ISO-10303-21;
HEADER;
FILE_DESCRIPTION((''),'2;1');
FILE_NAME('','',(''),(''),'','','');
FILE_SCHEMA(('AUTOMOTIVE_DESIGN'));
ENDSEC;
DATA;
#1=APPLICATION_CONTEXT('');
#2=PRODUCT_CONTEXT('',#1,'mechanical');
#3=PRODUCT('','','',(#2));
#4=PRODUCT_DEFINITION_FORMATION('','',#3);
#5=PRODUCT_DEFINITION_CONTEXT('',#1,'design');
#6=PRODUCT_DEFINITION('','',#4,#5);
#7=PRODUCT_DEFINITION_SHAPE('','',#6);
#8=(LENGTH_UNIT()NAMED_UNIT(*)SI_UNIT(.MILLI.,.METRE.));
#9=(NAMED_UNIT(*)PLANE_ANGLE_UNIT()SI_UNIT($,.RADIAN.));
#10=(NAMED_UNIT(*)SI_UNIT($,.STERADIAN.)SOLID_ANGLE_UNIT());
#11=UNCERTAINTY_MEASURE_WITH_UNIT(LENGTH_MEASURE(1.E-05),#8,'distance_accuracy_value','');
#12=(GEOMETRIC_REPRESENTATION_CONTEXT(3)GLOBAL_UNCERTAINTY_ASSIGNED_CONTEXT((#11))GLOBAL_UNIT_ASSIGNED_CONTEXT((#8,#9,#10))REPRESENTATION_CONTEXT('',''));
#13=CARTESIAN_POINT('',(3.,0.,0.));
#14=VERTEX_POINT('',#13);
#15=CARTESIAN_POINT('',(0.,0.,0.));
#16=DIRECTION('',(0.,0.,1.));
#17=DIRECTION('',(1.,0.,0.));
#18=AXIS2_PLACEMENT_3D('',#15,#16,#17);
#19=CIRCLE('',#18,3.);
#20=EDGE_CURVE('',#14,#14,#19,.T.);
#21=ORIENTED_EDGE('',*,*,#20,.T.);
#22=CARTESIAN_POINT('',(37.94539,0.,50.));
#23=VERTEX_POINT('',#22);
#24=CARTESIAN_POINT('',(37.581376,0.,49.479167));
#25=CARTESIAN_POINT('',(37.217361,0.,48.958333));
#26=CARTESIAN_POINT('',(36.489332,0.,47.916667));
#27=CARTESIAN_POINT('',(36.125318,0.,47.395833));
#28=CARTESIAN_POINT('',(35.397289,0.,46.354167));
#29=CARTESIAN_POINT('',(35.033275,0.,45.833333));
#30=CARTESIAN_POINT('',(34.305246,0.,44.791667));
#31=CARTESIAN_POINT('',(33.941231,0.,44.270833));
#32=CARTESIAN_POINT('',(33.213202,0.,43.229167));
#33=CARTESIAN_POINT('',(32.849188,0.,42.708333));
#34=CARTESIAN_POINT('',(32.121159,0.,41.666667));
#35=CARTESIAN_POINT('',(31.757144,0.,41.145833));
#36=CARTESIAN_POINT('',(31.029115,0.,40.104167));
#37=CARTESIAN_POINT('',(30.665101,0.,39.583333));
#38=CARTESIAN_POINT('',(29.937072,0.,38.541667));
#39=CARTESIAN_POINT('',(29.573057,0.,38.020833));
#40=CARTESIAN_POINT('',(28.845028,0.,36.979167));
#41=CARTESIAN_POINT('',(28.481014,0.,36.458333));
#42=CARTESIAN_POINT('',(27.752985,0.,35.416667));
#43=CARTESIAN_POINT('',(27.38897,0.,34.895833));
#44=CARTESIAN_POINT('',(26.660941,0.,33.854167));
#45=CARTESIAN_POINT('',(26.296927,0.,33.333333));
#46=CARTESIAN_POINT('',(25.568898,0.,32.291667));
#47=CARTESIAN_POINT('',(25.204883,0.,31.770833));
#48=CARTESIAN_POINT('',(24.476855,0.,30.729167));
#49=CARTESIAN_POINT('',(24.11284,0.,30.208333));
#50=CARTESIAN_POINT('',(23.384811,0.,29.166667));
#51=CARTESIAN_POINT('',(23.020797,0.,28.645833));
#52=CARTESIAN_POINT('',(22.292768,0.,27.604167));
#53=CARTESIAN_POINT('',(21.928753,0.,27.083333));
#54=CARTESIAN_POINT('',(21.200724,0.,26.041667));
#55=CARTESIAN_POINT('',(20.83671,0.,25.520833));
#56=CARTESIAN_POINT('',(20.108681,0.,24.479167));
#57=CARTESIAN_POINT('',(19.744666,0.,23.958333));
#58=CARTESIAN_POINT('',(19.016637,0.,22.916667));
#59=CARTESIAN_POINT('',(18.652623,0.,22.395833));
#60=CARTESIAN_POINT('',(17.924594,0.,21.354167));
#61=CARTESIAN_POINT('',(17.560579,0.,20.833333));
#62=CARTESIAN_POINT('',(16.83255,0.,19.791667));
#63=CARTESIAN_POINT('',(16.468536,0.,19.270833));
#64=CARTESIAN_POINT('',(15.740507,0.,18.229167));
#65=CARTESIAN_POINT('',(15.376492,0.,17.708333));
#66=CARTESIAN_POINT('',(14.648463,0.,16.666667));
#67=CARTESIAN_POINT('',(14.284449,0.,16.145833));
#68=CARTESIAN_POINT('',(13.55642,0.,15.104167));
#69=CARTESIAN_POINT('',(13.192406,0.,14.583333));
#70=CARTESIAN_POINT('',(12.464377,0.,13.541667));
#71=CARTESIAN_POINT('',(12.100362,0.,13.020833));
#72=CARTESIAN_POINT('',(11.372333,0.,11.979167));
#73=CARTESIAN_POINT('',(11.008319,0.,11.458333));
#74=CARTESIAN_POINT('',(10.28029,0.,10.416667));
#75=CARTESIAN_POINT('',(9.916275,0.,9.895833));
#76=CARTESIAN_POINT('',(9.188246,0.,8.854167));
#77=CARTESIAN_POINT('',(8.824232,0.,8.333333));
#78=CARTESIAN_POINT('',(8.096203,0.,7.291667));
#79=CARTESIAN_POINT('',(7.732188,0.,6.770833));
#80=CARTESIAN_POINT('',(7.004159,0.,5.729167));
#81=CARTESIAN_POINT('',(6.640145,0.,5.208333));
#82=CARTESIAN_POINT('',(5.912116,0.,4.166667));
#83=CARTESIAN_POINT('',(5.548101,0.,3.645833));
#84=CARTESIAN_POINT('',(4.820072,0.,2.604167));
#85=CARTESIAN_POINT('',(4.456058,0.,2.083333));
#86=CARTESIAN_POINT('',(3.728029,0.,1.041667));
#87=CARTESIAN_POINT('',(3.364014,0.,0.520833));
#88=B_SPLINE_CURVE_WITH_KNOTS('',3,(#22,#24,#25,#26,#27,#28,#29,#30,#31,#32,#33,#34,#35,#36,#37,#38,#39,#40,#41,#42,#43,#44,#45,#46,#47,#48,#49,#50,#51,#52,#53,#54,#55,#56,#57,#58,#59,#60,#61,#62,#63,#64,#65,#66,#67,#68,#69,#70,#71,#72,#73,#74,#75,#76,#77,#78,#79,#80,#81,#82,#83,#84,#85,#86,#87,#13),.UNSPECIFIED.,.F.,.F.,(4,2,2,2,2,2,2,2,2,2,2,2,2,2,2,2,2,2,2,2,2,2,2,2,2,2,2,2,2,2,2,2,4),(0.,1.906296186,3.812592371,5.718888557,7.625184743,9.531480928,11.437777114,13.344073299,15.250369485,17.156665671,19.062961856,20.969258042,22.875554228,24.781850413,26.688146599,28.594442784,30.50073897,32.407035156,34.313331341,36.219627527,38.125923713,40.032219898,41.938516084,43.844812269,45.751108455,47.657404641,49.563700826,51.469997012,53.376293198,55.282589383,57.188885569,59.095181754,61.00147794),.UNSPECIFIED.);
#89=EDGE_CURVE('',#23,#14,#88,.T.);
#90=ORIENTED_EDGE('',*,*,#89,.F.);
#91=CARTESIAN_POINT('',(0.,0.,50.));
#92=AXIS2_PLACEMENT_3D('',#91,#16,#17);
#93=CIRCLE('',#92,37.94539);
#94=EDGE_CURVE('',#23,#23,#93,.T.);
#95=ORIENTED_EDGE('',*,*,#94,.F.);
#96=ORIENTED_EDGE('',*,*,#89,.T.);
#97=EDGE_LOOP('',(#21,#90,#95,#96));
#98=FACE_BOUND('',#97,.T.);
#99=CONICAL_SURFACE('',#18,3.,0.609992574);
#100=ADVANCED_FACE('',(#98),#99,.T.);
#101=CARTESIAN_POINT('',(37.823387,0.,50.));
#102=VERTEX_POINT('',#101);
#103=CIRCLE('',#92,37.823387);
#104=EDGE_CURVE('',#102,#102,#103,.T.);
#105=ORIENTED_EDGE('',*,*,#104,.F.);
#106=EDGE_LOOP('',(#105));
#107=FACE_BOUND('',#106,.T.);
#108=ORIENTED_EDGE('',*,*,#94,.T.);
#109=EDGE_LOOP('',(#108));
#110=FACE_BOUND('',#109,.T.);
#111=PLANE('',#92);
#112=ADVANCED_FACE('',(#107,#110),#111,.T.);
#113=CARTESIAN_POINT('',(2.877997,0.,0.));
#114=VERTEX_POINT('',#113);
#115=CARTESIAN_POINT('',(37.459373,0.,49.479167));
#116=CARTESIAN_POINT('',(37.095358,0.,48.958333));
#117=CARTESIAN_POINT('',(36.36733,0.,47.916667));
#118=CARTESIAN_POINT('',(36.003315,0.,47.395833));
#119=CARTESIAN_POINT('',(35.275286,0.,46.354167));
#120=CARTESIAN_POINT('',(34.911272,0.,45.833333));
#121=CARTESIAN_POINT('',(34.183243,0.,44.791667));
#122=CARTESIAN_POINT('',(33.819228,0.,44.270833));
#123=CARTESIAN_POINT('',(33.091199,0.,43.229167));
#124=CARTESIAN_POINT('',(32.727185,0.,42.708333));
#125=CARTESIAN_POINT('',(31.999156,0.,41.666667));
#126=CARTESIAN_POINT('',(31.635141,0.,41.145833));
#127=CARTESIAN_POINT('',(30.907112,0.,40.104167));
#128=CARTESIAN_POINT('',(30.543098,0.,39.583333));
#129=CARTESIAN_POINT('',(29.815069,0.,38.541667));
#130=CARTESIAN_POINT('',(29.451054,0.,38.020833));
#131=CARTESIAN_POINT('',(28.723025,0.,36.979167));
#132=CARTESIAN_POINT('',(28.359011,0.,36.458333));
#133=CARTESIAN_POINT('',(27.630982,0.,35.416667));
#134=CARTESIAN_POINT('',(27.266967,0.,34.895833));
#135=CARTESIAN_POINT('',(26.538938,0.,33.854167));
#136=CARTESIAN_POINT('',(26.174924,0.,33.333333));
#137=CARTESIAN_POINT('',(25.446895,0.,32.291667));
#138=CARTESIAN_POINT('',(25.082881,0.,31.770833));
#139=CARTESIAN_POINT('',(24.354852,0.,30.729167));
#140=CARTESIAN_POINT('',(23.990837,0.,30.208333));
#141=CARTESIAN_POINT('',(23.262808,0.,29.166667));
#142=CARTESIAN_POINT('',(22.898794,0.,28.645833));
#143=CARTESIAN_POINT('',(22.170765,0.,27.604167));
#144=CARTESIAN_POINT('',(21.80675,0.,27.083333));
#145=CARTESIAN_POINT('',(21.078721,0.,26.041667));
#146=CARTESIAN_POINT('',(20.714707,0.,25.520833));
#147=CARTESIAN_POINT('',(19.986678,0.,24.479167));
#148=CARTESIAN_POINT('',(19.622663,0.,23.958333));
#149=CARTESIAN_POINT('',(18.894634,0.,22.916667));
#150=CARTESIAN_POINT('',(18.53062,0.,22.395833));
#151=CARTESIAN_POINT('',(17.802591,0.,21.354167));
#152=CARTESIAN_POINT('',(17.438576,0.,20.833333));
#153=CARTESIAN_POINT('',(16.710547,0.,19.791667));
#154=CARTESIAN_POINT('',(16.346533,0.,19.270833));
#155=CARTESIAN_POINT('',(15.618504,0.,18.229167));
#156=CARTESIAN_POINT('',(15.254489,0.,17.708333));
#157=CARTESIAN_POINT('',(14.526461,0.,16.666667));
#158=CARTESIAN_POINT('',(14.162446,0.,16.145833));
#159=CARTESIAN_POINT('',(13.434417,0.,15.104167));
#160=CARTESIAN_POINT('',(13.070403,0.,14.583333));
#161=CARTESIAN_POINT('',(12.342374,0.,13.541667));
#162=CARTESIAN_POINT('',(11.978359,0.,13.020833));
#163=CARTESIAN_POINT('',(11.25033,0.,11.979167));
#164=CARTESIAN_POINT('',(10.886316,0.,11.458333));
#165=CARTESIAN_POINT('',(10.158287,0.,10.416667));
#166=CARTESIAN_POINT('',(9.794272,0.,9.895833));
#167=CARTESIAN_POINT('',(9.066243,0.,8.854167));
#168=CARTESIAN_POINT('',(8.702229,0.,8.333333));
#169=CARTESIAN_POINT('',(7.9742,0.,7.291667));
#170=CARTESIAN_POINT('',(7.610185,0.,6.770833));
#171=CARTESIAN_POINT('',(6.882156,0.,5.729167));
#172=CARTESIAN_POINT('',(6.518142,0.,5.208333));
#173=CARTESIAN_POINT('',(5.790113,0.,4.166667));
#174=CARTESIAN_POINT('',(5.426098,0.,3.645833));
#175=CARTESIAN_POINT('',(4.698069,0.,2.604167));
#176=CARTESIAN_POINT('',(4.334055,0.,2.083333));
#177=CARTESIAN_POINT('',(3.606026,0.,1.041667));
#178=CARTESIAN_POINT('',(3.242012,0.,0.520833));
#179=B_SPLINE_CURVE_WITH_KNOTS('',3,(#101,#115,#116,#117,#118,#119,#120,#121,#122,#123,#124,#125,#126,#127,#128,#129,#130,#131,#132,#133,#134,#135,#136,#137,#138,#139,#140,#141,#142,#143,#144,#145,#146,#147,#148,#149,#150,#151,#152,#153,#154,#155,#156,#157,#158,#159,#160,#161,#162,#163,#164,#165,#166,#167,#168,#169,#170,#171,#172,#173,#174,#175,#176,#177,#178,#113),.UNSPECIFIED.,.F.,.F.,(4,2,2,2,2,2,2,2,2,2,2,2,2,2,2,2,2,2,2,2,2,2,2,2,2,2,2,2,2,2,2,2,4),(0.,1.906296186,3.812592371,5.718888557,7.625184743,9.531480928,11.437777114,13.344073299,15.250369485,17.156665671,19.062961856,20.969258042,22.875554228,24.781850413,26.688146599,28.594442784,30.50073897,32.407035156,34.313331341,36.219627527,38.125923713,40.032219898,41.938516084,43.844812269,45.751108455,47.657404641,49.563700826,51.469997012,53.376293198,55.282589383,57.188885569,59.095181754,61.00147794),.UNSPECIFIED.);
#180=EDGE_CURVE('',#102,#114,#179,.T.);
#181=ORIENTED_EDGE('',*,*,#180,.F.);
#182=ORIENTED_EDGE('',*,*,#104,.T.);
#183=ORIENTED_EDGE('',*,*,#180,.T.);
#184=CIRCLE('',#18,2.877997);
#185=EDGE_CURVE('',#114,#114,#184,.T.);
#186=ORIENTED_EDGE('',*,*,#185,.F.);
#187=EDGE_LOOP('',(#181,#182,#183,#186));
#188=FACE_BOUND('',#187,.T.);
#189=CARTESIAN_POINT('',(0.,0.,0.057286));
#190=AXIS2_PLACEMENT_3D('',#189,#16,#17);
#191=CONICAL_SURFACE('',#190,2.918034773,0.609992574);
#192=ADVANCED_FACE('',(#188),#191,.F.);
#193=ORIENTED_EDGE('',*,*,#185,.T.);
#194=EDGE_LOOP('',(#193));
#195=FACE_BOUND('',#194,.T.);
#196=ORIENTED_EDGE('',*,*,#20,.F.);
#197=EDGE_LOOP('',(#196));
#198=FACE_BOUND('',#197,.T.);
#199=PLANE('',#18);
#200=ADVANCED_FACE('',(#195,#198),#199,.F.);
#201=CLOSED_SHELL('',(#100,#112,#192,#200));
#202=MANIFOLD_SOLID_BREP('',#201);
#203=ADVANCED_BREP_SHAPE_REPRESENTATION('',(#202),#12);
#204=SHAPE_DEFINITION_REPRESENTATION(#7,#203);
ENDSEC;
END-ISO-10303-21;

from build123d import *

# Parameters (mm, degrees)
SKETCH_1_R      = 3
EXTRUDE_1_DEPTH = 50
EXTRUDE_1_DRAFT = -34.95
SHELL_1_T       = -0.1


with BuildPart() as part:
    # 草图1 → 凸台-拉伸1 (with draft: the straight prism first)
    with BuildSketch(Plane.XY):
        Circle(SKETCH_1_R)
    extrude(amount=EXTRUDE_1_DEPTH)
    # 凸台-拉伸1: the draft: its side faces are tilted about the plane it starts from
    extrude_1_sides = [part.faces().sort_by_distance(p)[0] for p in [
        (-3, 0, 25),
    ]]
    draft(extrude_1_sides, Plane.XY, EXTRUDE_1_DRAFT)

    # 抽壳1
    shell_1_openings = [part.faces().sort_by_distance(p)[0] for p in [
        (0, 0, 50),
        (0, 0, 0),
    ]]
    offset(amount=SHELL_1_T, openings=shell_1_openings, kind=Kind.INTERSECTION)


solid = part.part
